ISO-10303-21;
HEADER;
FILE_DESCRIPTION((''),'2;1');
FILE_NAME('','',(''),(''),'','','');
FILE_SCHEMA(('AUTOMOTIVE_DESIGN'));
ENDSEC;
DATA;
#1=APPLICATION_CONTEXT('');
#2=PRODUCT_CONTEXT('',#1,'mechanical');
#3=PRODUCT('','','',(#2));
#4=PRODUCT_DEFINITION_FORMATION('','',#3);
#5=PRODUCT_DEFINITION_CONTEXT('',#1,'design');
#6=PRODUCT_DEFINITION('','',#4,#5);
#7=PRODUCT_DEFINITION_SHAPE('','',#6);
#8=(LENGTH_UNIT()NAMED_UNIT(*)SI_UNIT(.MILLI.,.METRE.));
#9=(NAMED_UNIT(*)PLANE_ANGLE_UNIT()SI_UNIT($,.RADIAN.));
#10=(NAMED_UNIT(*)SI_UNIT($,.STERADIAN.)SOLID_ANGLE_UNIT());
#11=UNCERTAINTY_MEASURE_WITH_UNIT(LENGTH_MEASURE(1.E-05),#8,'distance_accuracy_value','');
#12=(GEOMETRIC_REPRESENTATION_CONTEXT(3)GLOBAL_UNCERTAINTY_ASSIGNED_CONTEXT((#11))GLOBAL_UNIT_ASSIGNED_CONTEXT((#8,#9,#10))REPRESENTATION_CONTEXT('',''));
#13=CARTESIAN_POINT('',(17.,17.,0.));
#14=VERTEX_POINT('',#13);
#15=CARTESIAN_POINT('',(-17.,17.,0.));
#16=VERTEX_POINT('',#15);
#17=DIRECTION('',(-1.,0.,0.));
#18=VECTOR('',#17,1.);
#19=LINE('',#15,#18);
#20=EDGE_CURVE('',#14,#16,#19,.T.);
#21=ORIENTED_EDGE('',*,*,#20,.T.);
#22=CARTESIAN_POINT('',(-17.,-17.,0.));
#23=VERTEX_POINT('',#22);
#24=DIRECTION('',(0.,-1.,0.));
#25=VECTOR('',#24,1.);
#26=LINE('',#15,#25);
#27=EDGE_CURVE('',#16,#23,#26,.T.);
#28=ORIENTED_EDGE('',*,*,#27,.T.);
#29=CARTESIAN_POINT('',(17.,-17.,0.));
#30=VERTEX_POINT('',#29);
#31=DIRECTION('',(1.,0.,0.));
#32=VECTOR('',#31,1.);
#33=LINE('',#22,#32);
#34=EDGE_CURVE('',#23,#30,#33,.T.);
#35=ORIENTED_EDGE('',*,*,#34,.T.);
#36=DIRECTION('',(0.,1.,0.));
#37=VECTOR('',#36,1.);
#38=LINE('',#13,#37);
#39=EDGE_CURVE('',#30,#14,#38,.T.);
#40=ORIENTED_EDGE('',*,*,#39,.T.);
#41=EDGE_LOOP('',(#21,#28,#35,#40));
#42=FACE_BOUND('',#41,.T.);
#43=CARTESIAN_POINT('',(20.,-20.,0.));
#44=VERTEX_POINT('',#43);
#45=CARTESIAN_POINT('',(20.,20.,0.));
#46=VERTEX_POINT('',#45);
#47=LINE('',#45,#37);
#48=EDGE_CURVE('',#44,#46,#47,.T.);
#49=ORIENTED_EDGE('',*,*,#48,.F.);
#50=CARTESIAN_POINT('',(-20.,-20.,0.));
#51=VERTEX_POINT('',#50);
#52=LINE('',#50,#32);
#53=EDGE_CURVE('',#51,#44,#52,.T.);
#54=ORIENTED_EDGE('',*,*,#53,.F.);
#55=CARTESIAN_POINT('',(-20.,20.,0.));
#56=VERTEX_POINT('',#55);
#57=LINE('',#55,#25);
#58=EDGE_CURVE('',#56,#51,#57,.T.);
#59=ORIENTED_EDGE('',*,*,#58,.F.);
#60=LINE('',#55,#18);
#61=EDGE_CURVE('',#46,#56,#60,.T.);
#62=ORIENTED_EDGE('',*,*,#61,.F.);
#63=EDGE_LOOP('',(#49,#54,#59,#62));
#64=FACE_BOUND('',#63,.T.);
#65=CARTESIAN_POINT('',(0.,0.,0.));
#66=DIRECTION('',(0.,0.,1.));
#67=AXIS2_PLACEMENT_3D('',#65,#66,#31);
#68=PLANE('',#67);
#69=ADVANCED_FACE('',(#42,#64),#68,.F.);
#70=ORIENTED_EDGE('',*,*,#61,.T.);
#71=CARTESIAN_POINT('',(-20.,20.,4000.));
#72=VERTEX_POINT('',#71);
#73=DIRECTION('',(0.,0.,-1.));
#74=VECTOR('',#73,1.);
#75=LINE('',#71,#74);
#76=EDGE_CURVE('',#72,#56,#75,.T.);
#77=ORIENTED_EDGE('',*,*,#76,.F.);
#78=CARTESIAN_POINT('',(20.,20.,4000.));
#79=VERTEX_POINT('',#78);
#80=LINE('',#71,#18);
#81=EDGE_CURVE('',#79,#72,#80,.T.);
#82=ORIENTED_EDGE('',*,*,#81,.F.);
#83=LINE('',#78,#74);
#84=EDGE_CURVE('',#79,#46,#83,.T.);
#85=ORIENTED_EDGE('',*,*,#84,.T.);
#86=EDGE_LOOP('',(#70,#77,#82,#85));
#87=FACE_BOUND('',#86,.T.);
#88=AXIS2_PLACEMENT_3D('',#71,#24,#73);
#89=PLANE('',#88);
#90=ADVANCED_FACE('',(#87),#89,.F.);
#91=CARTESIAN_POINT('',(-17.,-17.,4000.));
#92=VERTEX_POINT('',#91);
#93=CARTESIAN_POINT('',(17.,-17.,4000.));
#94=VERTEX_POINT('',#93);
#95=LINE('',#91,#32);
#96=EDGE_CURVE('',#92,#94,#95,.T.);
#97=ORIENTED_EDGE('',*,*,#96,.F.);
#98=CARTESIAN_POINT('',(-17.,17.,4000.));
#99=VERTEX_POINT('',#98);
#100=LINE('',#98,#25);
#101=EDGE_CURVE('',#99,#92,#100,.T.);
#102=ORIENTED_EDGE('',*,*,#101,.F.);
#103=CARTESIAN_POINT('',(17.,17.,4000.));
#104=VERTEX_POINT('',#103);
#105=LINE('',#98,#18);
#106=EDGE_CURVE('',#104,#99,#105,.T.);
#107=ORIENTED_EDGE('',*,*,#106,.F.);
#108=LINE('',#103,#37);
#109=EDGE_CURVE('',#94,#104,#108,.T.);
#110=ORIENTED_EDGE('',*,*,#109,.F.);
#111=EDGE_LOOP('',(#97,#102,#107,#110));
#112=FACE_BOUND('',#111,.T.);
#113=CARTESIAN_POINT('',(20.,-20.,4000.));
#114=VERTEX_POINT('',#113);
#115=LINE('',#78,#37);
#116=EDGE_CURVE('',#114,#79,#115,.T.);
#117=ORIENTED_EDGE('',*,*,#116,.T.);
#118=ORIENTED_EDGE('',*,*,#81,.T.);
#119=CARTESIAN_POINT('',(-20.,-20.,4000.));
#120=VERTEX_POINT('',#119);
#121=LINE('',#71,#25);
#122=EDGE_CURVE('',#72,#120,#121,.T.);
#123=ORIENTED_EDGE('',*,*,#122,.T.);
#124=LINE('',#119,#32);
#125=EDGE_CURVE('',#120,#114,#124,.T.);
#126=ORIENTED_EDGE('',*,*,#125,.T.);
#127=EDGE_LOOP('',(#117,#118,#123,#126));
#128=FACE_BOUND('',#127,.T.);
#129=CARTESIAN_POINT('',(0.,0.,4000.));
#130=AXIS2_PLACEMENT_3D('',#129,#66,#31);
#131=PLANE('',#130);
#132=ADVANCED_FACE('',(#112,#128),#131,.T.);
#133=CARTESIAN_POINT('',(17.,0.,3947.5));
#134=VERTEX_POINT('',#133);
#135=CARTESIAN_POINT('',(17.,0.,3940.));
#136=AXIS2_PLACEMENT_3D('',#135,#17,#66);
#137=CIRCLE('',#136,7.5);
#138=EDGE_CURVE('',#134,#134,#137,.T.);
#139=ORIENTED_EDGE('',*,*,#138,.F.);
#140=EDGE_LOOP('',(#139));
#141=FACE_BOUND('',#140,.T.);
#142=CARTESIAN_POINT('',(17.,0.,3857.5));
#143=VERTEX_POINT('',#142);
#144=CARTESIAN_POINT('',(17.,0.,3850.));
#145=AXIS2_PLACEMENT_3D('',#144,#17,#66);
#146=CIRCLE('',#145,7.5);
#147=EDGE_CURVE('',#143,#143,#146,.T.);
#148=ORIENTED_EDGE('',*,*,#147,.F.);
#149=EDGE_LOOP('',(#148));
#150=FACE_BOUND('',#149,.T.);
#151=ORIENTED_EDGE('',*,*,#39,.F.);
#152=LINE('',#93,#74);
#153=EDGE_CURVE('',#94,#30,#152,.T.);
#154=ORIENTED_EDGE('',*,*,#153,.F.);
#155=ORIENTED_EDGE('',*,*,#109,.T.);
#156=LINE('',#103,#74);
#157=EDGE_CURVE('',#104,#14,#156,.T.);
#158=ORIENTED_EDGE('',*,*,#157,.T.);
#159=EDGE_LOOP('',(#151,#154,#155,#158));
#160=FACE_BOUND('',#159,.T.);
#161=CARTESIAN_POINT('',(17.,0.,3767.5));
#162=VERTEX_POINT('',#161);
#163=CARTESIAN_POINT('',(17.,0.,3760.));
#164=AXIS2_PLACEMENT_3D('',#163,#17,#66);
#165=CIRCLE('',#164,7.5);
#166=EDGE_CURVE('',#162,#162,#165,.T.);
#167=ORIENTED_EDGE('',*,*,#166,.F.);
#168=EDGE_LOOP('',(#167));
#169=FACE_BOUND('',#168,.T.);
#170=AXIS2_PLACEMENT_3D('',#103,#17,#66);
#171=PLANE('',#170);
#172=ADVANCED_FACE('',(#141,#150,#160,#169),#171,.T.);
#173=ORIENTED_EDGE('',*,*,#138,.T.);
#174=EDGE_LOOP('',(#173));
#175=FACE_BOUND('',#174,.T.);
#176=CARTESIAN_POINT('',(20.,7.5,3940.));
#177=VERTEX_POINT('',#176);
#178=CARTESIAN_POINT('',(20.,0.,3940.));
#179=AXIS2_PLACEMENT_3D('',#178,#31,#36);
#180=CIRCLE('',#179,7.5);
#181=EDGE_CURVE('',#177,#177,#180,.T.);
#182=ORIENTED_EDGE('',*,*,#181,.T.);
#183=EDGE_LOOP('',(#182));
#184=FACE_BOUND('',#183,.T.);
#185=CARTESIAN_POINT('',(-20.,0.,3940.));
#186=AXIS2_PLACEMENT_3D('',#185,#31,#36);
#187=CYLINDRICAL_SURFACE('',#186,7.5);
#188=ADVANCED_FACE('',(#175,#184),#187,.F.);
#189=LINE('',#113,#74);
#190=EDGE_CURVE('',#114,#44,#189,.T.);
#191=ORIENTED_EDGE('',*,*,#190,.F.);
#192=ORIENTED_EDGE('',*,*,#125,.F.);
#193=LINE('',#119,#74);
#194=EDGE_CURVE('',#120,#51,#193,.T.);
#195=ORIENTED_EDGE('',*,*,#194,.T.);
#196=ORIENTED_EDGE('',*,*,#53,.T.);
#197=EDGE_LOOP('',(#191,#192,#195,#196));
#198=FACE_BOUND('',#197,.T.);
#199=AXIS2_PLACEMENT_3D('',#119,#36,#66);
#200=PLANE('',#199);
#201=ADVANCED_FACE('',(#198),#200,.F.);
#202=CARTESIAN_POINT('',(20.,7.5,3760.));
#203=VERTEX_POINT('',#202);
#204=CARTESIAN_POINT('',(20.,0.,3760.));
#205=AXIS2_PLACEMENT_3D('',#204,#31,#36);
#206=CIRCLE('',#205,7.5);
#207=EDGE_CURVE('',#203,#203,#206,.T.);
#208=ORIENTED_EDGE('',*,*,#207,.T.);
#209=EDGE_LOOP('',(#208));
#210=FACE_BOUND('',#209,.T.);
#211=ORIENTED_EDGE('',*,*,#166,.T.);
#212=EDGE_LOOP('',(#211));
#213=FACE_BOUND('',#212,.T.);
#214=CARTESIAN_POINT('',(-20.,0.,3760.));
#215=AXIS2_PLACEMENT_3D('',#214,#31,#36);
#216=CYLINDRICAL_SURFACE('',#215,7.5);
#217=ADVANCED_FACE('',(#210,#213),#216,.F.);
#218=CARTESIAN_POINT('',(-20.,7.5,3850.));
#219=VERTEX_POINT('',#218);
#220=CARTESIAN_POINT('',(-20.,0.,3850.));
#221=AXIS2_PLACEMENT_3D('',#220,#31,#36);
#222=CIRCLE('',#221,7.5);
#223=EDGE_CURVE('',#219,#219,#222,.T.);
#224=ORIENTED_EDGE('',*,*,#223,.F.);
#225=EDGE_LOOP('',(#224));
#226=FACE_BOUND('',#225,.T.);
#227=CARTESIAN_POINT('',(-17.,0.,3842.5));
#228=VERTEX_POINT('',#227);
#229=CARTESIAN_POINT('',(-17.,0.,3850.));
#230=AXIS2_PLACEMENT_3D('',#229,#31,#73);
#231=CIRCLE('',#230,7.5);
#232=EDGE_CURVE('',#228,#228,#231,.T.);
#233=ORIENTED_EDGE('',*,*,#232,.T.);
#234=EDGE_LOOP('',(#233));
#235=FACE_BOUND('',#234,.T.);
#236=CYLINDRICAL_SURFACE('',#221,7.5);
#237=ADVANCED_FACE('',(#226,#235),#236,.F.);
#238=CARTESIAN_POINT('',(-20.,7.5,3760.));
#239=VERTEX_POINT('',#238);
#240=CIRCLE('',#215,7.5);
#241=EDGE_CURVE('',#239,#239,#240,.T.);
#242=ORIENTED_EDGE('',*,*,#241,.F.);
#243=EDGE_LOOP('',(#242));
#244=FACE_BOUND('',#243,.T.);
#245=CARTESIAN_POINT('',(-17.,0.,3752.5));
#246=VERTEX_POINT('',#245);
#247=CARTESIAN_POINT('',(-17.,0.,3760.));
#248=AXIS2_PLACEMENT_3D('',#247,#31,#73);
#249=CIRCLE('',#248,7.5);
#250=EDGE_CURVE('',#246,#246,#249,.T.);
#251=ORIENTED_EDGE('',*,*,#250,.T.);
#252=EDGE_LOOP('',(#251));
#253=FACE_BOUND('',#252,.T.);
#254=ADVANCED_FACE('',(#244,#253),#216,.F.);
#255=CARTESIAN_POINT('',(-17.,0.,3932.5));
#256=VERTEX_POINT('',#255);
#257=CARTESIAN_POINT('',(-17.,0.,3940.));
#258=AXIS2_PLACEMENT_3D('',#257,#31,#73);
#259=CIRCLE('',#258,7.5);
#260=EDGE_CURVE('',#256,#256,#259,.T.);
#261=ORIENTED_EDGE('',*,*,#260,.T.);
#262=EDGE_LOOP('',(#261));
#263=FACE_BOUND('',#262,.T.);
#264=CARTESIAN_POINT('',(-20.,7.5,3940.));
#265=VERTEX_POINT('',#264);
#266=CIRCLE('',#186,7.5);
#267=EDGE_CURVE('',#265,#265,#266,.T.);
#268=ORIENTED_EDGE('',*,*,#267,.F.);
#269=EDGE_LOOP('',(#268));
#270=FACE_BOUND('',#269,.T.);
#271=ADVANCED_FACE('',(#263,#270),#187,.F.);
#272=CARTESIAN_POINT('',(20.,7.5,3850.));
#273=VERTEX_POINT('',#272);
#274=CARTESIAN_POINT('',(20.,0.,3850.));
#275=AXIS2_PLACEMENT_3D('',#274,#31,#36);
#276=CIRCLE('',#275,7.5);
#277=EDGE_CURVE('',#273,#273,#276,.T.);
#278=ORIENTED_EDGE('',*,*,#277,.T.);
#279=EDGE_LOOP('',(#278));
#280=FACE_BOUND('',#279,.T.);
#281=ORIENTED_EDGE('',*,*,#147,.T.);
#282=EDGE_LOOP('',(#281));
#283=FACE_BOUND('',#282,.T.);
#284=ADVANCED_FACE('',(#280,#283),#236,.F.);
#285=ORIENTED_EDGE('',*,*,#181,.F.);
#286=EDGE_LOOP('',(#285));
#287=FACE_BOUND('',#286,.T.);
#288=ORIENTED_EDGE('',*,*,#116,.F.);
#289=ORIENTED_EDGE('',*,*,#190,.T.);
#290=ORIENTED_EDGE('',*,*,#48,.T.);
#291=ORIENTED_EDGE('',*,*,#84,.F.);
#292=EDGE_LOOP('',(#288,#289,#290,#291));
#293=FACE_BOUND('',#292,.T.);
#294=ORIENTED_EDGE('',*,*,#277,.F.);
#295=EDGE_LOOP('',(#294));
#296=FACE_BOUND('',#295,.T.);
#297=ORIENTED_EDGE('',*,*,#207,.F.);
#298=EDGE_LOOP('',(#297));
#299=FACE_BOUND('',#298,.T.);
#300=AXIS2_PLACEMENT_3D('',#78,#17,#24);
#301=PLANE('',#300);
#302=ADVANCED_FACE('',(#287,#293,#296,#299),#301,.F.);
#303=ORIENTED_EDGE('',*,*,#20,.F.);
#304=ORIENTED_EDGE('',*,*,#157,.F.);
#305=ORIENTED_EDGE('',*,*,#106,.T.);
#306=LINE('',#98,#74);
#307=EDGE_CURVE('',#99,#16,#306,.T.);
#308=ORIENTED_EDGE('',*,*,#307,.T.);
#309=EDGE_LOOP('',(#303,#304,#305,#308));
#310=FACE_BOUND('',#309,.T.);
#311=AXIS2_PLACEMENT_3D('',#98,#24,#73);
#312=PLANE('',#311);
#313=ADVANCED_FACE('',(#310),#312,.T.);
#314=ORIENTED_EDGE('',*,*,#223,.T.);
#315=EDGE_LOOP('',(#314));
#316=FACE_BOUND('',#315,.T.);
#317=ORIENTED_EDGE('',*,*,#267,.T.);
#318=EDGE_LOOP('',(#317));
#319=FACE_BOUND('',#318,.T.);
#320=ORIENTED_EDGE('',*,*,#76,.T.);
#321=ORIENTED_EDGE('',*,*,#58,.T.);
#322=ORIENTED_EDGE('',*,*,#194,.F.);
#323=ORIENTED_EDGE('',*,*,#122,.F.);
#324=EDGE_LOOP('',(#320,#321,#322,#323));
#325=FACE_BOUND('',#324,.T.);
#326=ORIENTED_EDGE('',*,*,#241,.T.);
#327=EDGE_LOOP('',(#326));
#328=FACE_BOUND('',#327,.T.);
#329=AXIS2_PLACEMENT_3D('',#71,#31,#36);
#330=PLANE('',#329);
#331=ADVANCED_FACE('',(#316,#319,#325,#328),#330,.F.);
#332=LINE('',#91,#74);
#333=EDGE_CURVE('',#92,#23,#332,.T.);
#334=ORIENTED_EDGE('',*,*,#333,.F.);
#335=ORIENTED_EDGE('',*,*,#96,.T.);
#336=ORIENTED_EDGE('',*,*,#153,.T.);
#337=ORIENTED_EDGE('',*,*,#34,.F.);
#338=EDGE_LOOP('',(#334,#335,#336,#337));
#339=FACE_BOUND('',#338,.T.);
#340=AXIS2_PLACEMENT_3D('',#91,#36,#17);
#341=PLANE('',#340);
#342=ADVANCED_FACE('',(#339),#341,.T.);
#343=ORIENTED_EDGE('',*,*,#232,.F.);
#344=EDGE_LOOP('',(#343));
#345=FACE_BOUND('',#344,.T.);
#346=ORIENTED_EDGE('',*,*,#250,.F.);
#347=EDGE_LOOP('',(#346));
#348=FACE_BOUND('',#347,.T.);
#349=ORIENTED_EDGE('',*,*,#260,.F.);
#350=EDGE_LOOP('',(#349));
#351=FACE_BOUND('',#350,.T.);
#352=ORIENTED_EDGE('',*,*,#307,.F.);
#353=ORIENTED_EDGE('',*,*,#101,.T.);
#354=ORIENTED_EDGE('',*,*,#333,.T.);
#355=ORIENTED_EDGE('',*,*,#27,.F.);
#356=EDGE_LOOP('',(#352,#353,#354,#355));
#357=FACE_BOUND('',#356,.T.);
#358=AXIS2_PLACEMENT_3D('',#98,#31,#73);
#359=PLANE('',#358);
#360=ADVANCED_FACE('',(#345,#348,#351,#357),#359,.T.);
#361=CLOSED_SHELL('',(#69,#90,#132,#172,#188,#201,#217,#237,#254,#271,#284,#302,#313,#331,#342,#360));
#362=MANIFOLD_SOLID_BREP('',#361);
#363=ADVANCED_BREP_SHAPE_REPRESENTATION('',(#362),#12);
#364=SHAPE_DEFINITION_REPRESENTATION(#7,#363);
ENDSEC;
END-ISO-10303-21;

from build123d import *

# Parameters (mm, degrees)
CROQUIS1_W              = 40
CROQUIS1_H              = 40
CROQUIS1_W_2            = 34
CROQUIS1_H_2            = 34
SALIENTE_EXTRUIR1_DEPTH = 4000
CROQUIS2_R              = 7.5
CORTAR_EXTRUIR1_DEPTH   = 40


with BuildPart() as part:
    # Croquis1 → Saliente-Extruir1 (new body)
    with BuildSketch(Plane.XY):
        Rectangle(CROQUIS1_W, CROQUIS1_H)
        Rectangle(CROQUIS1_W_2, CROQUIS1_H_2, mode=Mode.SUBTRACT)
    extrude(amount=SALIENTE_EXTRUIR1_DEPTH)

    # Croquis2 → Cortar-Extruir1 (cut)
    with BuildSketch(Plane(origin=(20, 0, 0), x_dir=(0, 0, -1), z_dir=(1, 0, 0))):
        with BuildLine():
            ThreePointArc((-3932.5, 0), (-3940, 7.5), (-3947.5, 0))
            Line((-3947.5, 0), (-3932.5, 0))
        make_face()
        with BuildLine():
            Line((-3932.5, 0), (-3947.5, 0))
            ThreePointArc((-3947.5, 0), (-3940, -7.5), (-3932.5, 0))
        make_face()
        with BuildLine():
            ThreePointArc((-3842.5, 0), (-3850, 7.5), (-3857.5, 0))
            Line((-3857.5, 0), (-3842.5, 0))
        make_face()
        with BuildLine():
            Line((-3842.5, 0), (-3857.5, 0))
            ThreePointArc((-3857.5, 0), (-3850, -7.5), (-3842.5, 0))
        make_face()
        with Locations((-3760, 0)):
            Circle(CROQUIS2_R)
    extrude(amount=-CORTAR_EXTRUIR1_DEPTH, mode=Mode.SUBTRACT)


solid = part.part
